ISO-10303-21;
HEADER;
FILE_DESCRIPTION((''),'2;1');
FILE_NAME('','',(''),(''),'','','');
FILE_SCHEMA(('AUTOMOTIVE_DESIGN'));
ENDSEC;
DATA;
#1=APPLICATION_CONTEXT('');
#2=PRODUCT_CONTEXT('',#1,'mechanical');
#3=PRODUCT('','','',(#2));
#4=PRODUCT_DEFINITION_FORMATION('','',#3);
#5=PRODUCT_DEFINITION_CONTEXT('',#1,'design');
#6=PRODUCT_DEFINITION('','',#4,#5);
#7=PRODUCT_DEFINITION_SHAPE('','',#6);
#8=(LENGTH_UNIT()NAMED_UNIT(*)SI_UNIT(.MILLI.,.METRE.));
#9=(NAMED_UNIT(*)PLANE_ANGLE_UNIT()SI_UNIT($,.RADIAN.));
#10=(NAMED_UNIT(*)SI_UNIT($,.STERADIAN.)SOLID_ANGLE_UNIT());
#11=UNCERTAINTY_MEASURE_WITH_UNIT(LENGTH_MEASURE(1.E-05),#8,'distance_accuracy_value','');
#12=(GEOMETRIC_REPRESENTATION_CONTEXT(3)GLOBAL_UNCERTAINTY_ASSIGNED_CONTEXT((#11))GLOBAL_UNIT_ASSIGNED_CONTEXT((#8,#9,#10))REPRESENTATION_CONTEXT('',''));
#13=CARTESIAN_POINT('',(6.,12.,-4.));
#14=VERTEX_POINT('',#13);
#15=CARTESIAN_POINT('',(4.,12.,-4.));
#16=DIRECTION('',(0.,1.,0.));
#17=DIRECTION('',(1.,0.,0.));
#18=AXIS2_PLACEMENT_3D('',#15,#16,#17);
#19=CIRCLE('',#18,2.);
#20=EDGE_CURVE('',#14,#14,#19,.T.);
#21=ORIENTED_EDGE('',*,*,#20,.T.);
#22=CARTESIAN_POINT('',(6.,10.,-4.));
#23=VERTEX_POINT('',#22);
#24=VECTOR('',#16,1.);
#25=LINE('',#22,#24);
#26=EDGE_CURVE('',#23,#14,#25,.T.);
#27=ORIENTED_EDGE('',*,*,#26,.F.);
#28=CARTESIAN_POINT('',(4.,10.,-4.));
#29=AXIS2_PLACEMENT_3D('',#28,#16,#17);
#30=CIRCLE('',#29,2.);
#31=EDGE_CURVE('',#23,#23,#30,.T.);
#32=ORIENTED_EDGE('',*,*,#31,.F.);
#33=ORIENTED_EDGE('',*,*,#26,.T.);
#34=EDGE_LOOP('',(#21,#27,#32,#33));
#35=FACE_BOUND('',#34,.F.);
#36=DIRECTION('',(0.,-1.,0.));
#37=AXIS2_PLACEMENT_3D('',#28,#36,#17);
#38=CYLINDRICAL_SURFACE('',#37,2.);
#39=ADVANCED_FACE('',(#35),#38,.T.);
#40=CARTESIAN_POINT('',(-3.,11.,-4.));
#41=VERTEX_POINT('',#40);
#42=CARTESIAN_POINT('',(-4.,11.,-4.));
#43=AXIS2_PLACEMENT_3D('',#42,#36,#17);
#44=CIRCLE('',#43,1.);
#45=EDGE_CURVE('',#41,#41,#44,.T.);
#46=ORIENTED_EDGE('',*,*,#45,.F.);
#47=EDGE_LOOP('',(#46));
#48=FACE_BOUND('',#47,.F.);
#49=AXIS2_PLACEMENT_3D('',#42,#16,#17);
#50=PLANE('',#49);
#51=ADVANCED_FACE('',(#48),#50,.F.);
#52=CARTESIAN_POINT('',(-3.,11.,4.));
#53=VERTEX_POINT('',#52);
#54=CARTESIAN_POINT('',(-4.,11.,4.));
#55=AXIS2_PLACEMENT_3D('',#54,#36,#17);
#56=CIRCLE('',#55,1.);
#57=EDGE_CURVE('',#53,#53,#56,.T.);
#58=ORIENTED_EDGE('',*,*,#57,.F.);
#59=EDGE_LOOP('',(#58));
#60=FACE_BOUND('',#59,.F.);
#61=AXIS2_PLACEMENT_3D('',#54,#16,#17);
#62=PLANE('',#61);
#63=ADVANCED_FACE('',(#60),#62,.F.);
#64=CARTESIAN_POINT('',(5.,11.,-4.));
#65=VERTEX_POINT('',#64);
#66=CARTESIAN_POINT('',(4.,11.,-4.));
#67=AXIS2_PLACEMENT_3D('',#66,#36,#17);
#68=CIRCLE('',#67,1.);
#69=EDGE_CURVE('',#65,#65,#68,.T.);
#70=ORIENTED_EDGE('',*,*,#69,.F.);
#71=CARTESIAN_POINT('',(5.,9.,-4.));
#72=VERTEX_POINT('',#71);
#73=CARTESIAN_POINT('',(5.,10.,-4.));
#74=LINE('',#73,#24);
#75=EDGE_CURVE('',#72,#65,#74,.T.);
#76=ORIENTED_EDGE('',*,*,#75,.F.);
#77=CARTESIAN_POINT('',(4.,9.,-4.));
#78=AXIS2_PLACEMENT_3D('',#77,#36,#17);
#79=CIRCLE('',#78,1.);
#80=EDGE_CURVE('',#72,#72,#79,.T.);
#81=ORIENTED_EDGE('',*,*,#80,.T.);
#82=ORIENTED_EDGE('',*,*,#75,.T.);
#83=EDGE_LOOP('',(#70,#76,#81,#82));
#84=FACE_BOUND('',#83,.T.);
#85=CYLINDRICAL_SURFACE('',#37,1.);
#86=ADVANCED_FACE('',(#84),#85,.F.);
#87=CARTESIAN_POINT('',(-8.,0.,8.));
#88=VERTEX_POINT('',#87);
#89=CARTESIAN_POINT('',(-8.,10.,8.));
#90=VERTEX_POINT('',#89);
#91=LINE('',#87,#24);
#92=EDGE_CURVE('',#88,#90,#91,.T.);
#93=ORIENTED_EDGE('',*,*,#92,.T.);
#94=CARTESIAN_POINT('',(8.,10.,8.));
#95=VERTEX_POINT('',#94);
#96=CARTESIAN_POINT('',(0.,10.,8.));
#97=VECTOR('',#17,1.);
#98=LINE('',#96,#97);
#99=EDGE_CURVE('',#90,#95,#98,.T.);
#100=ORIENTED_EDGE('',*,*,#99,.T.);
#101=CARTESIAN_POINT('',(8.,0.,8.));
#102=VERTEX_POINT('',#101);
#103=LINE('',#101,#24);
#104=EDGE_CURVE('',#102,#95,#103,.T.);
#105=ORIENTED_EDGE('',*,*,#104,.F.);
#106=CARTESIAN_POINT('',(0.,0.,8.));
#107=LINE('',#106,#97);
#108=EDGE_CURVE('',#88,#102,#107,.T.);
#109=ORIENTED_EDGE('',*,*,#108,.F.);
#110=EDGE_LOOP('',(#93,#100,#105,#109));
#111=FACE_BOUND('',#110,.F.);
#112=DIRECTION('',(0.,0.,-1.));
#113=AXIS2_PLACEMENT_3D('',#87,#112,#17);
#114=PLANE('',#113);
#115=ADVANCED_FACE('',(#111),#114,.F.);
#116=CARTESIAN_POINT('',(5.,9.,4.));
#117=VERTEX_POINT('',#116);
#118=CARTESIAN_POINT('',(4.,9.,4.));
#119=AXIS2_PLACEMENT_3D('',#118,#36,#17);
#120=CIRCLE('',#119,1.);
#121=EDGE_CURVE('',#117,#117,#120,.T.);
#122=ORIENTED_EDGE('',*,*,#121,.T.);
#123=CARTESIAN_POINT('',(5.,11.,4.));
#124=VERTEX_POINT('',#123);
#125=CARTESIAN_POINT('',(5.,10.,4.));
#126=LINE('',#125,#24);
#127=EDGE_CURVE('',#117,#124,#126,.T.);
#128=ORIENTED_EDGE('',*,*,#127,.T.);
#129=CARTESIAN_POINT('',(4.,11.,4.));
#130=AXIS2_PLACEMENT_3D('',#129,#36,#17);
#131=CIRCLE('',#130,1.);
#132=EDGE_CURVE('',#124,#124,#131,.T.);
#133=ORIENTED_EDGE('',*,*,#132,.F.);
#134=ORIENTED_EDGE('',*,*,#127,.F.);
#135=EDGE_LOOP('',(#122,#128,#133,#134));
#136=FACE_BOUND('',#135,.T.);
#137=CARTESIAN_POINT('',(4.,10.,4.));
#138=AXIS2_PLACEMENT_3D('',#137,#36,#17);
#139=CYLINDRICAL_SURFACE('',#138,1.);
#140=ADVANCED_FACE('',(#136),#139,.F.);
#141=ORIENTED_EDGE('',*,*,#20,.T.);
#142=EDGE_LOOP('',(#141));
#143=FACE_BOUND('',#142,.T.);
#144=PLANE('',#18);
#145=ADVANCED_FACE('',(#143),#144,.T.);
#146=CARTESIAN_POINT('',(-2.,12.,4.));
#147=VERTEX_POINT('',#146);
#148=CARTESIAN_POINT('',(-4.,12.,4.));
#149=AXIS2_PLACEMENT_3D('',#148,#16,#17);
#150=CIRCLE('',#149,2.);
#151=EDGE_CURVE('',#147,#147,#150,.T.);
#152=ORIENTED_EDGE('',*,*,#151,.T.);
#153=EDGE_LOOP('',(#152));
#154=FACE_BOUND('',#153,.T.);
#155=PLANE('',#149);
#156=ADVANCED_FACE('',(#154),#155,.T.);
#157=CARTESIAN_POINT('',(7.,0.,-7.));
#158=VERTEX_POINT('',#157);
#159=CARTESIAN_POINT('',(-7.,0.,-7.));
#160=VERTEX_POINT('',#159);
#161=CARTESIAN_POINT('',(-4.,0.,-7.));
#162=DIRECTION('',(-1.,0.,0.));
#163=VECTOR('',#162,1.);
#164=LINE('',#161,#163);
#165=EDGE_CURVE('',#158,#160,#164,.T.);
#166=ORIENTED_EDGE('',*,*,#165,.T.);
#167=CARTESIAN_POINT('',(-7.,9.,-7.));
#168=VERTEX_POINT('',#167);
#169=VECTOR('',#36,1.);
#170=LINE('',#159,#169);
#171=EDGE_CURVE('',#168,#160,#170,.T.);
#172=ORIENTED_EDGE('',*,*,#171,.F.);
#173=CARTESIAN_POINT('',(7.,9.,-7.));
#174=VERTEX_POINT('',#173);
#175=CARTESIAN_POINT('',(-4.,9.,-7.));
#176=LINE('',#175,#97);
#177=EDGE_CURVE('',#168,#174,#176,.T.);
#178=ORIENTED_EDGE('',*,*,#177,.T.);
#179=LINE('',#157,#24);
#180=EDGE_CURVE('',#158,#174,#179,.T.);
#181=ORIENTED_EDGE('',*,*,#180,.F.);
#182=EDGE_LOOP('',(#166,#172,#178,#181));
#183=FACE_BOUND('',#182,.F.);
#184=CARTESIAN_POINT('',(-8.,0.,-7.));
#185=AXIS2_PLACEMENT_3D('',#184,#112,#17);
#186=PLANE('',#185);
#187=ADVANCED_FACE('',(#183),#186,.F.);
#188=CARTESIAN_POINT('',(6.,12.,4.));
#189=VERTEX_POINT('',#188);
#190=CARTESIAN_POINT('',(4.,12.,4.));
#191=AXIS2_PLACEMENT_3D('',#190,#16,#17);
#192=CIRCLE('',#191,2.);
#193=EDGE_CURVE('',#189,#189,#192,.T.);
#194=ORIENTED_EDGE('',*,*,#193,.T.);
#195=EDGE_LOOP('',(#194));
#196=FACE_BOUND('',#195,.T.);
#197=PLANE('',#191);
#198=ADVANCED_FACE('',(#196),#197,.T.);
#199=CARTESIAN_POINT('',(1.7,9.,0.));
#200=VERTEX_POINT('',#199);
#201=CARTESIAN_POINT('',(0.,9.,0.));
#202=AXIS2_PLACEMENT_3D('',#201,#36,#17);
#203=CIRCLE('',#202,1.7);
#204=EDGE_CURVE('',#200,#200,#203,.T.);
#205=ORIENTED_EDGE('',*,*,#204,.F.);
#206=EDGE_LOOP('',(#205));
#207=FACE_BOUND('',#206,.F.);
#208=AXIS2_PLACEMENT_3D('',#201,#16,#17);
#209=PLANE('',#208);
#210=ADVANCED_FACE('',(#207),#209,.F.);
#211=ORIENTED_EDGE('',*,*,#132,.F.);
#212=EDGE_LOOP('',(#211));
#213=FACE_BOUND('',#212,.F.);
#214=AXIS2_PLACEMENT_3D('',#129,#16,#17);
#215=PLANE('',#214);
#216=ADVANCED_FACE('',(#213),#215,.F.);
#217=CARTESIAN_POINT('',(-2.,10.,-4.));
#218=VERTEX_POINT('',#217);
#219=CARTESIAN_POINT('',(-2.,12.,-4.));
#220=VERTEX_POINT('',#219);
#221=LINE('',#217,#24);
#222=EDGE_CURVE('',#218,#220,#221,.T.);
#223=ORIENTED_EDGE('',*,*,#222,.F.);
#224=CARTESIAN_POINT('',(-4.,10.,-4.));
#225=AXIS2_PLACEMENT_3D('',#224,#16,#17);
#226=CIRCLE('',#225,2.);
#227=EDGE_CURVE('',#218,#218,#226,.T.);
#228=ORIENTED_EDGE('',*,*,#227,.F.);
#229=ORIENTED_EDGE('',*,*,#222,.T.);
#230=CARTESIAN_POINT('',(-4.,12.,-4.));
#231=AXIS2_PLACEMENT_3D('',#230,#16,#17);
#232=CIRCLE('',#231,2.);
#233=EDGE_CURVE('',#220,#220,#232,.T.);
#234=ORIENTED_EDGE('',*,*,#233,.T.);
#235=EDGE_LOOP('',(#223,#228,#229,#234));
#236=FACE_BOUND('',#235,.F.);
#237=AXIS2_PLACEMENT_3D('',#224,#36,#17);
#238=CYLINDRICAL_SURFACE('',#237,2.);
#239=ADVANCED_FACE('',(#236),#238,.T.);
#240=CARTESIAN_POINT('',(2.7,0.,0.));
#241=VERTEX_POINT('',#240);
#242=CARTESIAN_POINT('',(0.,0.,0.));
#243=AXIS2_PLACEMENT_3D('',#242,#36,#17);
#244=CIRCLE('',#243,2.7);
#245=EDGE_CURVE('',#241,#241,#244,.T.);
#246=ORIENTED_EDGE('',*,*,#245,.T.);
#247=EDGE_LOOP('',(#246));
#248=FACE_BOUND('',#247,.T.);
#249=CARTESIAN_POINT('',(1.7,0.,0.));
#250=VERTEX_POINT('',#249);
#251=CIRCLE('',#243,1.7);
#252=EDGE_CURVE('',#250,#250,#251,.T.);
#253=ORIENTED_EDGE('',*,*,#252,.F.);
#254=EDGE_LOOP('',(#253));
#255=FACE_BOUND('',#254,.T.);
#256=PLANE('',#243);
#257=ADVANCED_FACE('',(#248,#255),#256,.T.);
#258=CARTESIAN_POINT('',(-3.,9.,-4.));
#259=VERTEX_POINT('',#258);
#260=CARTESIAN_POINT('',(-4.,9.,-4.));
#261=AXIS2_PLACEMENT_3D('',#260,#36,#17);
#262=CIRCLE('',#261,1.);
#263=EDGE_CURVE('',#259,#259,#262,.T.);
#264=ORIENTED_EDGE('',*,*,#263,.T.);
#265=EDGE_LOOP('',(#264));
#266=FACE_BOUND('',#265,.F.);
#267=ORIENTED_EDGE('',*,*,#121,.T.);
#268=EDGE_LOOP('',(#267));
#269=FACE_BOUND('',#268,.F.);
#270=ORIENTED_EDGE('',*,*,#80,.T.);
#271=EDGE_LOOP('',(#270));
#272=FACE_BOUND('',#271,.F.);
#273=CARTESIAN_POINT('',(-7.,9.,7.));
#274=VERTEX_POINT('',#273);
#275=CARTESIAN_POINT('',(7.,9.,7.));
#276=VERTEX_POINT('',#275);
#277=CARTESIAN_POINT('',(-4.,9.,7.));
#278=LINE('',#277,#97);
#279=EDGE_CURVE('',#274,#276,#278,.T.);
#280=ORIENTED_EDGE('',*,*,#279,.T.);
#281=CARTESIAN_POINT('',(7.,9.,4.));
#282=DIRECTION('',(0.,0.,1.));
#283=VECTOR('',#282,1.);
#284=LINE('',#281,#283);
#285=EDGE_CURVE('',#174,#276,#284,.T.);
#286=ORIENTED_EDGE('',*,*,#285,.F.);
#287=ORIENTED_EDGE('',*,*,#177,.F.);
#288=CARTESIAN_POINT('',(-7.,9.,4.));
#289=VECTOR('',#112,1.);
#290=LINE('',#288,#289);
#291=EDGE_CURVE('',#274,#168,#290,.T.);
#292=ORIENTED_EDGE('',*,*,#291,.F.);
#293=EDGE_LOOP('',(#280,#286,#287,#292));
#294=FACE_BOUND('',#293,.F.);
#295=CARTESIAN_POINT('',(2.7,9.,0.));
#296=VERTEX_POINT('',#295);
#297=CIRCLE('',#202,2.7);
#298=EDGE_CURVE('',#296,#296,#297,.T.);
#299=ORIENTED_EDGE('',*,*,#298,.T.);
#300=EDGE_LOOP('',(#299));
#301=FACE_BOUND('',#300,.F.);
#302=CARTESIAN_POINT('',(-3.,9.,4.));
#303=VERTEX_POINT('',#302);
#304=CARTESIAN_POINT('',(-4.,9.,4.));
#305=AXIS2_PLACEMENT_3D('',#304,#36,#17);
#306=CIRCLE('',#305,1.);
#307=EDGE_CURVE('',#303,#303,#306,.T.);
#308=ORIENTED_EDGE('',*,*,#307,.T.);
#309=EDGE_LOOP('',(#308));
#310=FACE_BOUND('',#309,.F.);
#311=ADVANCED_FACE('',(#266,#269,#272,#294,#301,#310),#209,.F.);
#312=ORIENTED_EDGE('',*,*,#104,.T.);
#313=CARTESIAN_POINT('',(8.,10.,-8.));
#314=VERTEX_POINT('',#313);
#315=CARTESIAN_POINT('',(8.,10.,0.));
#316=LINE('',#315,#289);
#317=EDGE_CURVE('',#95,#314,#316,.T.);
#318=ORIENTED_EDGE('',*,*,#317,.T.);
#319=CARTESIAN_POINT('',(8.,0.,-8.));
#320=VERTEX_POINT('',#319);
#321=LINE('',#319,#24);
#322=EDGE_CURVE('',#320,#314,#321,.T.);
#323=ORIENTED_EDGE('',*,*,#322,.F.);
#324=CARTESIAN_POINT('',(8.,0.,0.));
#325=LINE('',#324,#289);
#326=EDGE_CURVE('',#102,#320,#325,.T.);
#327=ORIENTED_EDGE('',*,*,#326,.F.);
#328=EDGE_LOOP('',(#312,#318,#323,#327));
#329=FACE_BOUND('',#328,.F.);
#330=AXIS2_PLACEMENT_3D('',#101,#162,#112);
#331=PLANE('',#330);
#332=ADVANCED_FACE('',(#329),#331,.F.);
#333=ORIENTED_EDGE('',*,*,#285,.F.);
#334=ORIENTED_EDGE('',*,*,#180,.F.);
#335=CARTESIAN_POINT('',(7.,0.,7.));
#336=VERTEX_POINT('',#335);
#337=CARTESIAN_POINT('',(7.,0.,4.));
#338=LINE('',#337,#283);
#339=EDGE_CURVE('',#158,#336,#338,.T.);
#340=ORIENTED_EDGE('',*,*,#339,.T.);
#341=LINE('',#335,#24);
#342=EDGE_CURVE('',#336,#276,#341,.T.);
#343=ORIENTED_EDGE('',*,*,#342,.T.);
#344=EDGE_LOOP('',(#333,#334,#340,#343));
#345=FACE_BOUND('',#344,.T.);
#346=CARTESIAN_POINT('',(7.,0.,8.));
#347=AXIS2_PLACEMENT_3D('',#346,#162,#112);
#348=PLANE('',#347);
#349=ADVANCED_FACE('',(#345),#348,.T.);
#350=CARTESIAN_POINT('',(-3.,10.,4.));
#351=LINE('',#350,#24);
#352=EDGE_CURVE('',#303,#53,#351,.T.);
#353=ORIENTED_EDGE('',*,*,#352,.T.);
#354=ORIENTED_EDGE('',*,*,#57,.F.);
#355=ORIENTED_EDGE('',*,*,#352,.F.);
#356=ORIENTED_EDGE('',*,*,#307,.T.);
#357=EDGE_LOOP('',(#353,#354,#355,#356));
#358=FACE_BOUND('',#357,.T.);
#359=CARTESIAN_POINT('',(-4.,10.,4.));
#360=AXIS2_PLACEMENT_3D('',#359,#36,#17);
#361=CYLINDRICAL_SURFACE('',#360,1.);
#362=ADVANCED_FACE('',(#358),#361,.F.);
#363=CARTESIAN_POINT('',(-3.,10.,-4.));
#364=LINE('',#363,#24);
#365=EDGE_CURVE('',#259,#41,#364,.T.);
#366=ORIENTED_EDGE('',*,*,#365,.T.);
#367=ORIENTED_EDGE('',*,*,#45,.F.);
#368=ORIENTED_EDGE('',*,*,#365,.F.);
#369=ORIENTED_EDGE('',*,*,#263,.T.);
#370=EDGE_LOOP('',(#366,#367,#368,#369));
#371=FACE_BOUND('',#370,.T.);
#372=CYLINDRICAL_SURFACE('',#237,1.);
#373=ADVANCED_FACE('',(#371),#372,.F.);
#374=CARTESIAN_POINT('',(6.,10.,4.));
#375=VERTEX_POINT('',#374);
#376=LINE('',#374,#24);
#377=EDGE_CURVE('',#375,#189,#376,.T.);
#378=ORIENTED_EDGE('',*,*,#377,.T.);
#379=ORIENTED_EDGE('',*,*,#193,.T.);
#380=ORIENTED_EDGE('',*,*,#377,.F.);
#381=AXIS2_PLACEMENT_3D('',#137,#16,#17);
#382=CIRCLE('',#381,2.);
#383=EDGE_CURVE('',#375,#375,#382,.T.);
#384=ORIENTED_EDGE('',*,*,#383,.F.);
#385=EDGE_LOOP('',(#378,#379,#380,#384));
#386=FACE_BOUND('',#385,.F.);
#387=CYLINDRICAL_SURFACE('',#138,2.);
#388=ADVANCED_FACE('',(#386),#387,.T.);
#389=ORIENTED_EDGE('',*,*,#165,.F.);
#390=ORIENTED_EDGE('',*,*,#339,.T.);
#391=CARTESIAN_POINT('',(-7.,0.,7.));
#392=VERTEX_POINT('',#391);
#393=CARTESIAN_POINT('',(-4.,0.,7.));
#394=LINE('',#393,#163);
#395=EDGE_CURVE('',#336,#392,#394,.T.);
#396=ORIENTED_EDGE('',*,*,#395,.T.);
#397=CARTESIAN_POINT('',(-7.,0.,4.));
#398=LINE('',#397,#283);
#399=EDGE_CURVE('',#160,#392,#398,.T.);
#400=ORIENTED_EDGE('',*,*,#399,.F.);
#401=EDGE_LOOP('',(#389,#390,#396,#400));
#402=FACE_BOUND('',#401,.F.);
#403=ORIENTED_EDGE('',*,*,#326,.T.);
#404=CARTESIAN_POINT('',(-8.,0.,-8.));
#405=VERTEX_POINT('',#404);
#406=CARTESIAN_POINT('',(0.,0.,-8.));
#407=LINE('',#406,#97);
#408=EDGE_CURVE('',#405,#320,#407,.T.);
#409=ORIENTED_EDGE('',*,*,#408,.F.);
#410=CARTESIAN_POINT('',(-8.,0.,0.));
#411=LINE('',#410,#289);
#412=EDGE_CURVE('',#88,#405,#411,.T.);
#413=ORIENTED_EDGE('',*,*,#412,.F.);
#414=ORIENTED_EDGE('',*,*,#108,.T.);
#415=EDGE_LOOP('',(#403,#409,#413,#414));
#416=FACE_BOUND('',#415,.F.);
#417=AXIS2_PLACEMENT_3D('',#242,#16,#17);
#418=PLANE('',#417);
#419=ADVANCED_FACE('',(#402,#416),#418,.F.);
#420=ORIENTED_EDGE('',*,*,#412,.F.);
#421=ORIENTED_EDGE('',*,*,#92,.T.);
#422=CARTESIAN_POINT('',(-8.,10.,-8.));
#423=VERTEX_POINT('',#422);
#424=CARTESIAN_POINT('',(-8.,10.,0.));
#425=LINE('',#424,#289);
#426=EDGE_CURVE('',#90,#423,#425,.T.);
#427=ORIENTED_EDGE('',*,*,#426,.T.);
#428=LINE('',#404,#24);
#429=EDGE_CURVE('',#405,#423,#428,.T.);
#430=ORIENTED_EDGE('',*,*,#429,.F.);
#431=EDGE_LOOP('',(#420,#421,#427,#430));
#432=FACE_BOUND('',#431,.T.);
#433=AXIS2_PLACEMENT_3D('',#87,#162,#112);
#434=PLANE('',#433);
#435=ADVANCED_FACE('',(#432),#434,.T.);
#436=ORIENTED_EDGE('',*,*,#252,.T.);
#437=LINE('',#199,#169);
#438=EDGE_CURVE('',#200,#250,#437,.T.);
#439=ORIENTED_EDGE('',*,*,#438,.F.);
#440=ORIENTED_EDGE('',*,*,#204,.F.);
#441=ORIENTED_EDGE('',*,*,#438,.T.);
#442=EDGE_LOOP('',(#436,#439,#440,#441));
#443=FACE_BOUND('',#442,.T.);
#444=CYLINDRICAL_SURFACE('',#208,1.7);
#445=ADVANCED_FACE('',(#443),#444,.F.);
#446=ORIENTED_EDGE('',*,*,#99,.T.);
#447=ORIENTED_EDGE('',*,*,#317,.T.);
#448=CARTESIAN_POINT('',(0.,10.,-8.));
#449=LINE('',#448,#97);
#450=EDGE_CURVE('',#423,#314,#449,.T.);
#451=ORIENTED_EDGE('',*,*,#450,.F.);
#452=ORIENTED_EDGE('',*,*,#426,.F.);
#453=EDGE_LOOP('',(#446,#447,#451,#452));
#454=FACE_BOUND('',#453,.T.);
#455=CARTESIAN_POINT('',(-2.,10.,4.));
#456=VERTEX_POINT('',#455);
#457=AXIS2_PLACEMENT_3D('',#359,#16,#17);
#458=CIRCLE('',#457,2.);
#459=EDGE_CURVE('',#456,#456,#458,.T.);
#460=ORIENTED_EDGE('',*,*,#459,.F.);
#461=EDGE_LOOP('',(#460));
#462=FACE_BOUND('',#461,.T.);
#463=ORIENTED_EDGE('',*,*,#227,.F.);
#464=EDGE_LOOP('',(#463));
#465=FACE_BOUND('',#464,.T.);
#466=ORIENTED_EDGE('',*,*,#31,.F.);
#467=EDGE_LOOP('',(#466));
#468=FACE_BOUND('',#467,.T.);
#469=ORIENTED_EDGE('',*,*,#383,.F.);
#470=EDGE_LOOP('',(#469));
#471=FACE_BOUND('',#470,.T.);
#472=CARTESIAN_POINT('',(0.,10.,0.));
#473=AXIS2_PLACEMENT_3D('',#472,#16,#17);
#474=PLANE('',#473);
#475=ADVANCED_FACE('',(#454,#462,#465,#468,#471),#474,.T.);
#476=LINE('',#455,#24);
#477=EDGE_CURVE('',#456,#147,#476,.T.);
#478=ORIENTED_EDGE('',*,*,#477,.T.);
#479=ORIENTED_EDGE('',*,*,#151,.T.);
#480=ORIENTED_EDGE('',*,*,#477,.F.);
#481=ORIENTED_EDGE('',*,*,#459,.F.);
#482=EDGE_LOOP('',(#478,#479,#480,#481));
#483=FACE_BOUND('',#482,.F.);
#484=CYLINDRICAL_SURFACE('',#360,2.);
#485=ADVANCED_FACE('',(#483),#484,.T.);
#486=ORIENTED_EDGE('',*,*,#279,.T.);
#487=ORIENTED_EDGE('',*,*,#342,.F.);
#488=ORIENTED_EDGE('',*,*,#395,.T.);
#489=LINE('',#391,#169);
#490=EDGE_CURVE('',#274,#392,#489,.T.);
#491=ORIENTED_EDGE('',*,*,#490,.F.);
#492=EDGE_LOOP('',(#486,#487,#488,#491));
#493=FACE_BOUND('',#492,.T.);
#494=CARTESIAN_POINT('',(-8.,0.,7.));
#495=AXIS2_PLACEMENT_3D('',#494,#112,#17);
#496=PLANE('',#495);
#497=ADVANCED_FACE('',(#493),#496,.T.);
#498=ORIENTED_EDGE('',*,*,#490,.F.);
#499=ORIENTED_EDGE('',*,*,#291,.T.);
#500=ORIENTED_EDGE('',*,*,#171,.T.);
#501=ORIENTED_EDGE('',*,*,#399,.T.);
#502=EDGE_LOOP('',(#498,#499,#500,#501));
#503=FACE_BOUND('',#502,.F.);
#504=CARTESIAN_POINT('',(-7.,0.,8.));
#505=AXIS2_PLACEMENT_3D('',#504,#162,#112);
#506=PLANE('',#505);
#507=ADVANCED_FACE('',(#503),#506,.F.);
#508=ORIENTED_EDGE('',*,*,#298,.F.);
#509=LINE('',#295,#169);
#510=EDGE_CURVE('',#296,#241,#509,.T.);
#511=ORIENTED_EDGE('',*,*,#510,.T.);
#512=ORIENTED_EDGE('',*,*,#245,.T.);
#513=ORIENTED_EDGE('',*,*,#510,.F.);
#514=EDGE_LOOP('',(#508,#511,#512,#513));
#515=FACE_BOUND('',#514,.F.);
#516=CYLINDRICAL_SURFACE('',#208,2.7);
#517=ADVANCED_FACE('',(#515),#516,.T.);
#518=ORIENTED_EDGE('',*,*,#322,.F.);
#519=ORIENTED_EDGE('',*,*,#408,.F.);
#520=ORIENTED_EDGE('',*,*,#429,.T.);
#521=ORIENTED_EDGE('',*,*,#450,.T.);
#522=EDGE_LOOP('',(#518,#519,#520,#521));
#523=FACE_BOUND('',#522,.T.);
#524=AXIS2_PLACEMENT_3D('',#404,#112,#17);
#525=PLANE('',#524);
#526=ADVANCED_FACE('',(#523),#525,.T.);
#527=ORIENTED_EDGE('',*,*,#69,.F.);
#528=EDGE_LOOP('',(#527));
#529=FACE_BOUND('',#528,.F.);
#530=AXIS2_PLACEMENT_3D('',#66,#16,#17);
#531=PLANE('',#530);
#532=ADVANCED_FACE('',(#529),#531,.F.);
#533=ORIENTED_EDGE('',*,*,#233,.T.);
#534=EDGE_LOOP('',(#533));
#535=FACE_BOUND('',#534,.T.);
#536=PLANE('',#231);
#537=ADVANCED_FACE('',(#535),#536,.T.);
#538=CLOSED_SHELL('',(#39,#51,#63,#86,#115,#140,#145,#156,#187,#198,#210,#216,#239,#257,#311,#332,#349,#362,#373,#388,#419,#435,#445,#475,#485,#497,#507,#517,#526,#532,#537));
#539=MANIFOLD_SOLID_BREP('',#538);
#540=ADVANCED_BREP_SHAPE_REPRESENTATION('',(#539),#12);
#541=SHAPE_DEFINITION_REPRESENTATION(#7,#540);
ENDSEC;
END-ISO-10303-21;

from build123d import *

# Parameters (mm, degrees)
SKETCH2_W           = 16
SKETCH2_H           = 16
BOSS_EXTRUDE1_DEPTH = 10
SKETCH3_R           = 2
BOSS_EXTRUDE2_DEPTH = 2
SHELL2_T            = -1
SKETCH4_R           = 2.7
SKETCH4_R_2         = 1.7
BOSS_EXTRUDE3_DEPTH = 9


with BuildPart() as part:
    # Sketch2 → Boss-Extrude1 (new body)
    with BuildSketch(Plane(origin=(0, 0, 0), x_dir=(1, 0, 0), z_dir=(0, 1, 0))):
        Rectangle(SKETCH2_W, SKETCH2_H)
    extrude(amount=BOSS_EXTRUDE1_DEPTH)

    # Sketch3 → Boss-Extrude2 (add)
    with BuildSketch(Plane(origin=(0, 10, 0), x_dir=(1, 0, 0), z_dir=(0, 1, 0))):
        with Locations((-4, 4)):
            Circle(SKETCH3_R)
        with Locations((4, 4)):
            Circle(SKETCH3_R)
        with Locations((4, -4)):
            Circle(SKETCH3_R)
        with Locations((-4, -4)):
            Circle(SKETCH3_R)
    extrude(amount=BOSS_EXTRUDE2_DEPTH)

    # Shell2
    shell2_openings = [part.faces().sort_by_distance(p)[0] for p in [
        (0, 0, 0),
    ]]
    offset(amount=SHELL2_T, openings=shell2_openings, kind=Kind.INTERSECTION)

    # Sketch4 → Boss-Extrude3 (add)
    with BuildSketch(Plane.XZ.offset(-9)):
        Circle(SKETCH4_R)
        Circle(SKETCH4_R_2, mode=Mode.SUBTRACT)
    extrude(amount=BOSS_EXTRUDE3_DEPTH)


solid = part.part
